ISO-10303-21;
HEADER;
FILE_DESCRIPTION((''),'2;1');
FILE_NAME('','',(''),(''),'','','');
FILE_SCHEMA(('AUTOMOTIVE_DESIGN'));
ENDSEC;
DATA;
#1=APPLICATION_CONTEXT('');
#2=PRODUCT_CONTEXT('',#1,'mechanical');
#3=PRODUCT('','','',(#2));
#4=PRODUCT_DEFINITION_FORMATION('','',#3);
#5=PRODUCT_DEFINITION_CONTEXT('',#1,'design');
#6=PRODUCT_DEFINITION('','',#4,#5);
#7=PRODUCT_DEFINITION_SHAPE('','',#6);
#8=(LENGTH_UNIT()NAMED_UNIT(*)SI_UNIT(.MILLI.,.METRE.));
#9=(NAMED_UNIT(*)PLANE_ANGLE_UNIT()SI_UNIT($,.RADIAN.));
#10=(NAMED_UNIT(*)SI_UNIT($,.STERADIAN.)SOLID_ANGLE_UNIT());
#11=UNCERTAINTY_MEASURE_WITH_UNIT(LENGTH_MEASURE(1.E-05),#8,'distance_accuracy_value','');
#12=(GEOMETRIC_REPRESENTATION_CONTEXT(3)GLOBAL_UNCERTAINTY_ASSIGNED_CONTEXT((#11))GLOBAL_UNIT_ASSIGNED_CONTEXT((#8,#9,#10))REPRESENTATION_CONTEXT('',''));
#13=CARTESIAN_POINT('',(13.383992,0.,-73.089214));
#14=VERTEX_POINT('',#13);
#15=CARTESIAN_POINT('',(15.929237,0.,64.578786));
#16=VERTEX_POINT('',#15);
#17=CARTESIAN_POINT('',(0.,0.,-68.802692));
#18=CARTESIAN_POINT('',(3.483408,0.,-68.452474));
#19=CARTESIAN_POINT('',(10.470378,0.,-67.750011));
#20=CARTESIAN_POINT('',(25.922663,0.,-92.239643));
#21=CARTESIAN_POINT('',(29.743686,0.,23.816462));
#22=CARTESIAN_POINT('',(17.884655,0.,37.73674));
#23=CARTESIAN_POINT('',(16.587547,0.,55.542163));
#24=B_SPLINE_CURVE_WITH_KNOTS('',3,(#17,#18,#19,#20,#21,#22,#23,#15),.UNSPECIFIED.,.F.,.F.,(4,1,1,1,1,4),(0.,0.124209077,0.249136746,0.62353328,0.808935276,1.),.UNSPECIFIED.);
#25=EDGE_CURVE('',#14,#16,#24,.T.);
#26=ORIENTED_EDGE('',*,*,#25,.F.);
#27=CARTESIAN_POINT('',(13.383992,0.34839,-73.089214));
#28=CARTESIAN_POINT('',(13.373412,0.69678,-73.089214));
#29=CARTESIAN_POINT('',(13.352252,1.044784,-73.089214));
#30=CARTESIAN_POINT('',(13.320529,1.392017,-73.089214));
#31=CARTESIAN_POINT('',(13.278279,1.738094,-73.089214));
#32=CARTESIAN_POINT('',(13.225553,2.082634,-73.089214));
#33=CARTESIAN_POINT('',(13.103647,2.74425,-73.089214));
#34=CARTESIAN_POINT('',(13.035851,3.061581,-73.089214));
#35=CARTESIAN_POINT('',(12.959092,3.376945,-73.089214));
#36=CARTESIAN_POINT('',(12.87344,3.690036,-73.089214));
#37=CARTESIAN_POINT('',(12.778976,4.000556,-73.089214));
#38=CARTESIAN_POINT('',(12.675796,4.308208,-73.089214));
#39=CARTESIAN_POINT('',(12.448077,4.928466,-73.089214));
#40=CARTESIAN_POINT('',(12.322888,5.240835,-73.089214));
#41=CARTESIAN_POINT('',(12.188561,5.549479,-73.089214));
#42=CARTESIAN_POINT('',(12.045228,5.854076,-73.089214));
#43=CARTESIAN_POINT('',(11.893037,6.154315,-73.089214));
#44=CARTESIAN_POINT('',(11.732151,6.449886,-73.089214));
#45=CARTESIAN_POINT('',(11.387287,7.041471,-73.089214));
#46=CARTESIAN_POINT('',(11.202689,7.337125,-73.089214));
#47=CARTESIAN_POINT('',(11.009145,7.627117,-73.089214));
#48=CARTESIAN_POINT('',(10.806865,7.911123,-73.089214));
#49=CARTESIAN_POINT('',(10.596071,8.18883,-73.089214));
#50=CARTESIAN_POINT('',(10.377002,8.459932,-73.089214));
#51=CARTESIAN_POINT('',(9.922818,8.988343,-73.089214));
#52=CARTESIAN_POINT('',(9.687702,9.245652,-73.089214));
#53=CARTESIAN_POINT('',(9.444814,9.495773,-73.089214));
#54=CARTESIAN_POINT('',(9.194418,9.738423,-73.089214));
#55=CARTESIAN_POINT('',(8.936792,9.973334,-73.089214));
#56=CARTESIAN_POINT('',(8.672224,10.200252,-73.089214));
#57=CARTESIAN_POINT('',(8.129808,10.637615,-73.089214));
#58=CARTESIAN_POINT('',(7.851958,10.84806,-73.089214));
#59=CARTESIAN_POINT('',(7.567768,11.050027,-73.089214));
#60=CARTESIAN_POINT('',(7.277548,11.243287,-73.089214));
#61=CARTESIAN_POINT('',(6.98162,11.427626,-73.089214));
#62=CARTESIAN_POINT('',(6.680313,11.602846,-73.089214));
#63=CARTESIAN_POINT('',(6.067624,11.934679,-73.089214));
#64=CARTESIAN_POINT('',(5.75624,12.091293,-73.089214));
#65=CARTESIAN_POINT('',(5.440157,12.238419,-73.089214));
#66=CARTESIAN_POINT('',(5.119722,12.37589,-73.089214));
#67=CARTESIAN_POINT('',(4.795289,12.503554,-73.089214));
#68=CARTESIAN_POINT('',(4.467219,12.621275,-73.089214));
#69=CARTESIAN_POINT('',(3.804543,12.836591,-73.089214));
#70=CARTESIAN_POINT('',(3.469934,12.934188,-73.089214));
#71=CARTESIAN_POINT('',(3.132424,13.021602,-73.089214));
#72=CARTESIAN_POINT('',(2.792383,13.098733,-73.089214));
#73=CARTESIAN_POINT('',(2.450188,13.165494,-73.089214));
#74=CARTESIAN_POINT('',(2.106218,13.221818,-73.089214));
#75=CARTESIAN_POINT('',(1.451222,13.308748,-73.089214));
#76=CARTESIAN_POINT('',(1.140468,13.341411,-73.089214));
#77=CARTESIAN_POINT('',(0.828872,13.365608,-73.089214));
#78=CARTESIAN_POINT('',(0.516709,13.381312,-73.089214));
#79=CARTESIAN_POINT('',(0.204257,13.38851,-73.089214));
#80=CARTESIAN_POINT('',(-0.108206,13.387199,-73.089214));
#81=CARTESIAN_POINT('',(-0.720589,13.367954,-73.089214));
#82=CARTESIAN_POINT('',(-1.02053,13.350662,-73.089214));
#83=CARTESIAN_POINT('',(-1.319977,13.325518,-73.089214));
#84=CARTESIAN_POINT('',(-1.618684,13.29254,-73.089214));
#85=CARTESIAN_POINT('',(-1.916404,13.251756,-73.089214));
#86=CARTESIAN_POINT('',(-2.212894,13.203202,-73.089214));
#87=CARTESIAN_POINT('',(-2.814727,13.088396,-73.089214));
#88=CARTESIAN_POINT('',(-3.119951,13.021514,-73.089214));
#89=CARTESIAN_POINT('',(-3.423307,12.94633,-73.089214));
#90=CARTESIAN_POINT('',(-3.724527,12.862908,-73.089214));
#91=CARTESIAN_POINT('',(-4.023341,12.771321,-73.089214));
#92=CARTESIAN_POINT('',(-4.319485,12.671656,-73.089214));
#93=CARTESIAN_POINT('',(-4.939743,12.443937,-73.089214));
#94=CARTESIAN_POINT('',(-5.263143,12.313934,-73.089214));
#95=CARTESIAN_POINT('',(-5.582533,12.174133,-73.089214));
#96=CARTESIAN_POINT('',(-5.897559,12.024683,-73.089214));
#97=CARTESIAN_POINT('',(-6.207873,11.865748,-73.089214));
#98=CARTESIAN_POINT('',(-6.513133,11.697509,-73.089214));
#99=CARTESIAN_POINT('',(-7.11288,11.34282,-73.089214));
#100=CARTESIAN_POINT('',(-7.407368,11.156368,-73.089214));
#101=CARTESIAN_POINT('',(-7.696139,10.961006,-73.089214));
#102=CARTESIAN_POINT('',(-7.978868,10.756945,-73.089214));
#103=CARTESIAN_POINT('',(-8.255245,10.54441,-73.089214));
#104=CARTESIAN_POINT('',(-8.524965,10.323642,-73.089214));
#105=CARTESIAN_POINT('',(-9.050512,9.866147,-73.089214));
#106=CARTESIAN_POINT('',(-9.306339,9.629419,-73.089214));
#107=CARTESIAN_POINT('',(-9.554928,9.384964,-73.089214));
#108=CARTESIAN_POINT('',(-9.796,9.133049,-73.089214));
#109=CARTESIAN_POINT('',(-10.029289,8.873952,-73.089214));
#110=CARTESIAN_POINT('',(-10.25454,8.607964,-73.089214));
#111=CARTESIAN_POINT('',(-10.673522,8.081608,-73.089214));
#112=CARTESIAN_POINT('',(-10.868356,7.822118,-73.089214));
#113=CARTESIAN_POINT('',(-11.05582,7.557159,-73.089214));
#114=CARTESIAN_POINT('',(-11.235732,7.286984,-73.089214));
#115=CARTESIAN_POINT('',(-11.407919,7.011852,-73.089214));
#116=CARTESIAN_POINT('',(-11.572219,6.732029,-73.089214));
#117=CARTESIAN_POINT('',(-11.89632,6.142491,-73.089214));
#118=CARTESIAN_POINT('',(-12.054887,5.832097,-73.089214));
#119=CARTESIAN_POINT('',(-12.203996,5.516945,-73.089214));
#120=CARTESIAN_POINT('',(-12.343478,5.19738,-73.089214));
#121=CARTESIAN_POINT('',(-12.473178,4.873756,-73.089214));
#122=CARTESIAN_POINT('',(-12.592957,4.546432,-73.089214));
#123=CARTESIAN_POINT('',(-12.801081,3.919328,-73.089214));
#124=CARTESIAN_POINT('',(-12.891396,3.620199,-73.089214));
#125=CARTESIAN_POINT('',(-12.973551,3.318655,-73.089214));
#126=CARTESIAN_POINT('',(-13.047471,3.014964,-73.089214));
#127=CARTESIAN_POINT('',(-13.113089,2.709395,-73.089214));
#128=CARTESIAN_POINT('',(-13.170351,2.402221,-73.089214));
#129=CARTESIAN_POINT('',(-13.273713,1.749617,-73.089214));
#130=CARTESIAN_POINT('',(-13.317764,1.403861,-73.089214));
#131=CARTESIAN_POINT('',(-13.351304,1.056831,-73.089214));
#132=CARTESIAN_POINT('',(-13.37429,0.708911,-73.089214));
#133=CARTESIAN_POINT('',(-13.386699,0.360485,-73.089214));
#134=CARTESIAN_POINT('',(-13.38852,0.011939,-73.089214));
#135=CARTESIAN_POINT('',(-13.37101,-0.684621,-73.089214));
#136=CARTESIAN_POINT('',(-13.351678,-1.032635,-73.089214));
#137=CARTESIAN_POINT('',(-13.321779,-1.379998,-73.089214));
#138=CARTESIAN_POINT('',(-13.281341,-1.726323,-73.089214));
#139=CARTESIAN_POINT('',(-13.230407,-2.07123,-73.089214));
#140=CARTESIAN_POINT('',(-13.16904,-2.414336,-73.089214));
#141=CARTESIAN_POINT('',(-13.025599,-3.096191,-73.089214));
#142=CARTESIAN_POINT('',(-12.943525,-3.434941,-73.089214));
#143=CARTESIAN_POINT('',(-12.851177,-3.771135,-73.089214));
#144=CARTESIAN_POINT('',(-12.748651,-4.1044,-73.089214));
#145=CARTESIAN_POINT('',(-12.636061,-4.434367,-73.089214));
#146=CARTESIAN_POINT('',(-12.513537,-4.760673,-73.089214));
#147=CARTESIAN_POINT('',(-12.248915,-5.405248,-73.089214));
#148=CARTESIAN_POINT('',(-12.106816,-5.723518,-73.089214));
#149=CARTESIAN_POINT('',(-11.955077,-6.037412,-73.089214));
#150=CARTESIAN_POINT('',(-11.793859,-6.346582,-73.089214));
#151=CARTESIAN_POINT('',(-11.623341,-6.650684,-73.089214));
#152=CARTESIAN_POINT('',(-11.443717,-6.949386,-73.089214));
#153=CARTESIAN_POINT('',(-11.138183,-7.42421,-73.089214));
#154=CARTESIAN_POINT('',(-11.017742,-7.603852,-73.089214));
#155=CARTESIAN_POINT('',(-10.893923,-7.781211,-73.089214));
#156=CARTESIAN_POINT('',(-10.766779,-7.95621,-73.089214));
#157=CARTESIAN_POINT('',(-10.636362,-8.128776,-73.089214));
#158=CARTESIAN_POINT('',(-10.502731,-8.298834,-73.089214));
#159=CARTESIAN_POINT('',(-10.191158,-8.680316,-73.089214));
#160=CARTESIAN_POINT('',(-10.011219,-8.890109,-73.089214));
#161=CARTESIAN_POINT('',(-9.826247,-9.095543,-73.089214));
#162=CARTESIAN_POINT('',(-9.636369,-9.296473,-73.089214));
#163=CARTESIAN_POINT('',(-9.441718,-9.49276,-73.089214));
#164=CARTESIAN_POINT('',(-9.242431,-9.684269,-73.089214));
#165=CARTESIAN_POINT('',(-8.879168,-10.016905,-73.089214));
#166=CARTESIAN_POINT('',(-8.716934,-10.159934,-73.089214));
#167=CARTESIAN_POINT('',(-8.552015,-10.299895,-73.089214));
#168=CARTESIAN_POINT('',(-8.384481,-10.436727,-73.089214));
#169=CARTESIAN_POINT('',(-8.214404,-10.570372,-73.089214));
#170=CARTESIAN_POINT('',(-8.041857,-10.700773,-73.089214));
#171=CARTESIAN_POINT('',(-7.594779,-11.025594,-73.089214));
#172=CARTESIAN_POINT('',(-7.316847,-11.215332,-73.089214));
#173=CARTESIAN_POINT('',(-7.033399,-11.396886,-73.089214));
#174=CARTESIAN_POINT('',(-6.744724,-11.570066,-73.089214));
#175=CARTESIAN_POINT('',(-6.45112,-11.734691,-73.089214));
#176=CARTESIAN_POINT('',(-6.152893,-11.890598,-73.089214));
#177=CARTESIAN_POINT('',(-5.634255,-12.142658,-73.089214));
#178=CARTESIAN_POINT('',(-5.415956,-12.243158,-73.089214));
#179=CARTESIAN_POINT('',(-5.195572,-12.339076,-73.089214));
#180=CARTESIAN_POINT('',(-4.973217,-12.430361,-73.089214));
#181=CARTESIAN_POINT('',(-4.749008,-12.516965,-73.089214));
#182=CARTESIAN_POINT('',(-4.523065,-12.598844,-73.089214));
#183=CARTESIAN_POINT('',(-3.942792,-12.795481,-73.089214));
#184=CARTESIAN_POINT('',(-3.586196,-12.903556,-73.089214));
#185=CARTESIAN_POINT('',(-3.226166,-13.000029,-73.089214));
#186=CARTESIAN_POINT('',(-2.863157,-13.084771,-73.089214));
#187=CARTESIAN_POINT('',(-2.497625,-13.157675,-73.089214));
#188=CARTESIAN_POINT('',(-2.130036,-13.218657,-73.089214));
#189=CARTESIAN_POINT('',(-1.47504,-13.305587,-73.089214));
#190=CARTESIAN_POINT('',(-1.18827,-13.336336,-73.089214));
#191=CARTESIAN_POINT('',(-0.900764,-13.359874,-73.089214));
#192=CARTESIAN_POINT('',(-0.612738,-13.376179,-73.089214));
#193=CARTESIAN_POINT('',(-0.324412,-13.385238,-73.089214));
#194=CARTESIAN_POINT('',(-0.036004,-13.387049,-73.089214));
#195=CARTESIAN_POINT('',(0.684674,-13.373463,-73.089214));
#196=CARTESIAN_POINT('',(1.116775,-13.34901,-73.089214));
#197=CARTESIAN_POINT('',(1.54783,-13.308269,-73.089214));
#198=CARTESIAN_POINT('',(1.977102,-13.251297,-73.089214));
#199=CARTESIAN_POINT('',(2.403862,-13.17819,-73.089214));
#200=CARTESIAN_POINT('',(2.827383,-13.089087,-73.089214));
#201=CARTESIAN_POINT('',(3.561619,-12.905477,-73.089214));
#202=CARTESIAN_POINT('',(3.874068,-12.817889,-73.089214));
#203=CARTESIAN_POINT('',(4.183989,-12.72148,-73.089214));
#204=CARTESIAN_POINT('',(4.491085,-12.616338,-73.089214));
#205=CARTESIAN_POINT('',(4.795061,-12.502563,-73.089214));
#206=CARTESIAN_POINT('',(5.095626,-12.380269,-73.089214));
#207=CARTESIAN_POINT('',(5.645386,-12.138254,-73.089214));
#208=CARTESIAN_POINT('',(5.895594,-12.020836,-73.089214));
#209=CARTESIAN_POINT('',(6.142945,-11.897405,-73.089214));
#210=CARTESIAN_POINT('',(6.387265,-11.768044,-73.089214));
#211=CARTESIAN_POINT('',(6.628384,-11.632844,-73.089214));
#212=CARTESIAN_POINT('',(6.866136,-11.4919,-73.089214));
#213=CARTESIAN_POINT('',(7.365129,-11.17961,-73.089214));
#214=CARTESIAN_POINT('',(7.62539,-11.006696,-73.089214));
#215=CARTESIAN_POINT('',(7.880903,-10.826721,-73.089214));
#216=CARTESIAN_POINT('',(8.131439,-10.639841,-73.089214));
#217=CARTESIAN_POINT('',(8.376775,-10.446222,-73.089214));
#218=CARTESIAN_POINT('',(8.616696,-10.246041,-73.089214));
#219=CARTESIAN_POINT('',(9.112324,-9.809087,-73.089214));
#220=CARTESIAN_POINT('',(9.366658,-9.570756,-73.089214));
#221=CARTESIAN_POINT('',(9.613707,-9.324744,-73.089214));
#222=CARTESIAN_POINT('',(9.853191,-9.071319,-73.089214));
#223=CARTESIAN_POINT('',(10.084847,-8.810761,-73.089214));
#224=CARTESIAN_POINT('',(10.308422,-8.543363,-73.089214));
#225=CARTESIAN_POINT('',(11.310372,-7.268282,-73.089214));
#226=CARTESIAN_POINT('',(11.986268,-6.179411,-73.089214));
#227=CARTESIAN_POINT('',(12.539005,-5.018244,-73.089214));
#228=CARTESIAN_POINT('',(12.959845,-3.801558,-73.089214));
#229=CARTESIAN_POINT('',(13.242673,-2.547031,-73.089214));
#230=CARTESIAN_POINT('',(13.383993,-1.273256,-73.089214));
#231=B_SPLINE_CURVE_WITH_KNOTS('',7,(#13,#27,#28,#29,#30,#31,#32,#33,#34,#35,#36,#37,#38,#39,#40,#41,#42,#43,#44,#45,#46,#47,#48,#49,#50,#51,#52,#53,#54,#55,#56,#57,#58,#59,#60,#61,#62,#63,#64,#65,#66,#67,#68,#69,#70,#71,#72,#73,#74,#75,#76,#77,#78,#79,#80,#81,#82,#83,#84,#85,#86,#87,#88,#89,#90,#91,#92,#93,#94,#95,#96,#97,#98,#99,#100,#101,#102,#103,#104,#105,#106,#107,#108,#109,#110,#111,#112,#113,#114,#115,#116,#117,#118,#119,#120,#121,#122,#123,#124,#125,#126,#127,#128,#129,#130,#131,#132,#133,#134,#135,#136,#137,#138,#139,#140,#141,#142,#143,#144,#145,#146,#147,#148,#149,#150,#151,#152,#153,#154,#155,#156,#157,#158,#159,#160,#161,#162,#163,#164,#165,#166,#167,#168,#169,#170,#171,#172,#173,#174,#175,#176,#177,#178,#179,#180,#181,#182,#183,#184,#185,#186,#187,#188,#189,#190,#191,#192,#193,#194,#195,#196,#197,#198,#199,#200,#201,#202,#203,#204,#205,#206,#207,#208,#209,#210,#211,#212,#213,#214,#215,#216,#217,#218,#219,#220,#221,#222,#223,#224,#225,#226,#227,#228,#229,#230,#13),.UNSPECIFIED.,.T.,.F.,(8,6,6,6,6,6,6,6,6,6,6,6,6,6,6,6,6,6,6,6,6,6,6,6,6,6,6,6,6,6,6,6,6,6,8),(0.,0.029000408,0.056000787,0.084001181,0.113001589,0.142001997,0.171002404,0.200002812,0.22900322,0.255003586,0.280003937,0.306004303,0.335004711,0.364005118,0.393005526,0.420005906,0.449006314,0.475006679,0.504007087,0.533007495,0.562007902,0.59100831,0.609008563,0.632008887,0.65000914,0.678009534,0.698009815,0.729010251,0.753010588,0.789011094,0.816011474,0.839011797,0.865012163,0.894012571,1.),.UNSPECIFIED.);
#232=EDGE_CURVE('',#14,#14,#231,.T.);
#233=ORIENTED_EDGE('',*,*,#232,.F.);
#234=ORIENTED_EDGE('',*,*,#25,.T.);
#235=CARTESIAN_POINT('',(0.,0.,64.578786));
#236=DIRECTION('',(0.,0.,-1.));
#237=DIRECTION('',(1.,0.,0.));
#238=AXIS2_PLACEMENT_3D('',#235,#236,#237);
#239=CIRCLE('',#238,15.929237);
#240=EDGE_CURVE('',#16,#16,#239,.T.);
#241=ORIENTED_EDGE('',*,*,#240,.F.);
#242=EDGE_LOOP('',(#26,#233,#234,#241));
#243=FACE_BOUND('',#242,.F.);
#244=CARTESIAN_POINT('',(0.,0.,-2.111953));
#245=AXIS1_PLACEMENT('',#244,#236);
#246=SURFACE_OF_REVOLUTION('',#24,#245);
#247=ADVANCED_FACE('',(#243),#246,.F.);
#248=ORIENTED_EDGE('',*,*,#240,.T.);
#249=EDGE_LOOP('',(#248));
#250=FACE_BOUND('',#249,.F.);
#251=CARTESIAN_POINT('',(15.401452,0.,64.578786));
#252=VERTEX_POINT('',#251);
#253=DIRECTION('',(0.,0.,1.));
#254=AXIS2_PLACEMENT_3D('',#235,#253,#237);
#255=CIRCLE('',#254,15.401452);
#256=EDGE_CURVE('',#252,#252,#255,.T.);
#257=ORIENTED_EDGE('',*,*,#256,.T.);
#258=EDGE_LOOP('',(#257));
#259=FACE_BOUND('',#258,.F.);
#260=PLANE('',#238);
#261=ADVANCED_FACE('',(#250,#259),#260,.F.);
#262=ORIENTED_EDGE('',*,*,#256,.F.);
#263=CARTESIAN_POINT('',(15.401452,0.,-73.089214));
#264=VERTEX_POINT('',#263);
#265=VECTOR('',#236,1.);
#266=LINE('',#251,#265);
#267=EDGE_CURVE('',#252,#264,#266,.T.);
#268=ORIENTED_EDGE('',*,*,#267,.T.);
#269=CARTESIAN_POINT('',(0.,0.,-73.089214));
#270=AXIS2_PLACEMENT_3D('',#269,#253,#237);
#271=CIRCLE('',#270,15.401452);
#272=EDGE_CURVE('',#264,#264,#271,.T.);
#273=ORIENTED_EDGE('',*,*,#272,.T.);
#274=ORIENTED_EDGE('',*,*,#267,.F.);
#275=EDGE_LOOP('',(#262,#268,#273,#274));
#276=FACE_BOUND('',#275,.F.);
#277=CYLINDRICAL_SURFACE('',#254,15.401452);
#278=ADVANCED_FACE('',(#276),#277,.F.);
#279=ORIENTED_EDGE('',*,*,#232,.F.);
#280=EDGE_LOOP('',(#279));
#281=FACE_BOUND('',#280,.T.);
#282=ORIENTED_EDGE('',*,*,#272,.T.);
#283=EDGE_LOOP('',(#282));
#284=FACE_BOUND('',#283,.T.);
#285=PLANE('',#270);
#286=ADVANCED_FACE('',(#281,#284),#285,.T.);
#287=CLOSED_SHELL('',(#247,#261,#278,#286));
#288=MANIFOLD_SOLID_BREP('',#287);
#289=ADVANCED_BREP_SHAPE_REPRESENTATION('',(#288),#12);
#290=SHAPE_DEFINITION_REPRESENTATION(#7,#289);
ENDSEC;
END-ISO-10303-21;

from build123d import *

# Parameters (mm, degrees)
F2_R     = 15.401451569
F3_DEPTH = 137.668


with BuildPart() as f1:
    # F0 (on Front) → F1 (revolve)
    with BuildSketch(Plane.XZ):
        with BuildLine():
            Line((0, 64.5787864923), (0, -68.8026919961))
            add(Edge.make_bspline(
                [(0, -68.8026919961), (3.4834083249, -68.4524738498), (10.4703776938, -67.7500114243), (25.9226630315, -92.2396428073), (29.7436855201, 23.816461978), (17.8846554651, 37.7367400235), (16.5875467663, 55.5421626145), (15.9292370081, 64.5787864923)],
                knots=[0, 0, 0, 0, 0.1242090767, 0.2491367458, 0.6235332798, 0.808935276, 1, 1, 1, 1], degree=3))
            Line((15.9292370081, 64.5787864923), (0, 64.5787864923))
        make_face()
    revolve(axis=Axis((0, 0, -2.1119527519), (0, 0, -1)))

    # F2 (on face) → F3 (cut)
    with BuildSketch(Plane.XY.offset(64.5787864923)):
        Circle(F2_R)
    extrude(amount=-F3_DEPTH, mode=Mode.SUBTRACT)


solid = f1.part
